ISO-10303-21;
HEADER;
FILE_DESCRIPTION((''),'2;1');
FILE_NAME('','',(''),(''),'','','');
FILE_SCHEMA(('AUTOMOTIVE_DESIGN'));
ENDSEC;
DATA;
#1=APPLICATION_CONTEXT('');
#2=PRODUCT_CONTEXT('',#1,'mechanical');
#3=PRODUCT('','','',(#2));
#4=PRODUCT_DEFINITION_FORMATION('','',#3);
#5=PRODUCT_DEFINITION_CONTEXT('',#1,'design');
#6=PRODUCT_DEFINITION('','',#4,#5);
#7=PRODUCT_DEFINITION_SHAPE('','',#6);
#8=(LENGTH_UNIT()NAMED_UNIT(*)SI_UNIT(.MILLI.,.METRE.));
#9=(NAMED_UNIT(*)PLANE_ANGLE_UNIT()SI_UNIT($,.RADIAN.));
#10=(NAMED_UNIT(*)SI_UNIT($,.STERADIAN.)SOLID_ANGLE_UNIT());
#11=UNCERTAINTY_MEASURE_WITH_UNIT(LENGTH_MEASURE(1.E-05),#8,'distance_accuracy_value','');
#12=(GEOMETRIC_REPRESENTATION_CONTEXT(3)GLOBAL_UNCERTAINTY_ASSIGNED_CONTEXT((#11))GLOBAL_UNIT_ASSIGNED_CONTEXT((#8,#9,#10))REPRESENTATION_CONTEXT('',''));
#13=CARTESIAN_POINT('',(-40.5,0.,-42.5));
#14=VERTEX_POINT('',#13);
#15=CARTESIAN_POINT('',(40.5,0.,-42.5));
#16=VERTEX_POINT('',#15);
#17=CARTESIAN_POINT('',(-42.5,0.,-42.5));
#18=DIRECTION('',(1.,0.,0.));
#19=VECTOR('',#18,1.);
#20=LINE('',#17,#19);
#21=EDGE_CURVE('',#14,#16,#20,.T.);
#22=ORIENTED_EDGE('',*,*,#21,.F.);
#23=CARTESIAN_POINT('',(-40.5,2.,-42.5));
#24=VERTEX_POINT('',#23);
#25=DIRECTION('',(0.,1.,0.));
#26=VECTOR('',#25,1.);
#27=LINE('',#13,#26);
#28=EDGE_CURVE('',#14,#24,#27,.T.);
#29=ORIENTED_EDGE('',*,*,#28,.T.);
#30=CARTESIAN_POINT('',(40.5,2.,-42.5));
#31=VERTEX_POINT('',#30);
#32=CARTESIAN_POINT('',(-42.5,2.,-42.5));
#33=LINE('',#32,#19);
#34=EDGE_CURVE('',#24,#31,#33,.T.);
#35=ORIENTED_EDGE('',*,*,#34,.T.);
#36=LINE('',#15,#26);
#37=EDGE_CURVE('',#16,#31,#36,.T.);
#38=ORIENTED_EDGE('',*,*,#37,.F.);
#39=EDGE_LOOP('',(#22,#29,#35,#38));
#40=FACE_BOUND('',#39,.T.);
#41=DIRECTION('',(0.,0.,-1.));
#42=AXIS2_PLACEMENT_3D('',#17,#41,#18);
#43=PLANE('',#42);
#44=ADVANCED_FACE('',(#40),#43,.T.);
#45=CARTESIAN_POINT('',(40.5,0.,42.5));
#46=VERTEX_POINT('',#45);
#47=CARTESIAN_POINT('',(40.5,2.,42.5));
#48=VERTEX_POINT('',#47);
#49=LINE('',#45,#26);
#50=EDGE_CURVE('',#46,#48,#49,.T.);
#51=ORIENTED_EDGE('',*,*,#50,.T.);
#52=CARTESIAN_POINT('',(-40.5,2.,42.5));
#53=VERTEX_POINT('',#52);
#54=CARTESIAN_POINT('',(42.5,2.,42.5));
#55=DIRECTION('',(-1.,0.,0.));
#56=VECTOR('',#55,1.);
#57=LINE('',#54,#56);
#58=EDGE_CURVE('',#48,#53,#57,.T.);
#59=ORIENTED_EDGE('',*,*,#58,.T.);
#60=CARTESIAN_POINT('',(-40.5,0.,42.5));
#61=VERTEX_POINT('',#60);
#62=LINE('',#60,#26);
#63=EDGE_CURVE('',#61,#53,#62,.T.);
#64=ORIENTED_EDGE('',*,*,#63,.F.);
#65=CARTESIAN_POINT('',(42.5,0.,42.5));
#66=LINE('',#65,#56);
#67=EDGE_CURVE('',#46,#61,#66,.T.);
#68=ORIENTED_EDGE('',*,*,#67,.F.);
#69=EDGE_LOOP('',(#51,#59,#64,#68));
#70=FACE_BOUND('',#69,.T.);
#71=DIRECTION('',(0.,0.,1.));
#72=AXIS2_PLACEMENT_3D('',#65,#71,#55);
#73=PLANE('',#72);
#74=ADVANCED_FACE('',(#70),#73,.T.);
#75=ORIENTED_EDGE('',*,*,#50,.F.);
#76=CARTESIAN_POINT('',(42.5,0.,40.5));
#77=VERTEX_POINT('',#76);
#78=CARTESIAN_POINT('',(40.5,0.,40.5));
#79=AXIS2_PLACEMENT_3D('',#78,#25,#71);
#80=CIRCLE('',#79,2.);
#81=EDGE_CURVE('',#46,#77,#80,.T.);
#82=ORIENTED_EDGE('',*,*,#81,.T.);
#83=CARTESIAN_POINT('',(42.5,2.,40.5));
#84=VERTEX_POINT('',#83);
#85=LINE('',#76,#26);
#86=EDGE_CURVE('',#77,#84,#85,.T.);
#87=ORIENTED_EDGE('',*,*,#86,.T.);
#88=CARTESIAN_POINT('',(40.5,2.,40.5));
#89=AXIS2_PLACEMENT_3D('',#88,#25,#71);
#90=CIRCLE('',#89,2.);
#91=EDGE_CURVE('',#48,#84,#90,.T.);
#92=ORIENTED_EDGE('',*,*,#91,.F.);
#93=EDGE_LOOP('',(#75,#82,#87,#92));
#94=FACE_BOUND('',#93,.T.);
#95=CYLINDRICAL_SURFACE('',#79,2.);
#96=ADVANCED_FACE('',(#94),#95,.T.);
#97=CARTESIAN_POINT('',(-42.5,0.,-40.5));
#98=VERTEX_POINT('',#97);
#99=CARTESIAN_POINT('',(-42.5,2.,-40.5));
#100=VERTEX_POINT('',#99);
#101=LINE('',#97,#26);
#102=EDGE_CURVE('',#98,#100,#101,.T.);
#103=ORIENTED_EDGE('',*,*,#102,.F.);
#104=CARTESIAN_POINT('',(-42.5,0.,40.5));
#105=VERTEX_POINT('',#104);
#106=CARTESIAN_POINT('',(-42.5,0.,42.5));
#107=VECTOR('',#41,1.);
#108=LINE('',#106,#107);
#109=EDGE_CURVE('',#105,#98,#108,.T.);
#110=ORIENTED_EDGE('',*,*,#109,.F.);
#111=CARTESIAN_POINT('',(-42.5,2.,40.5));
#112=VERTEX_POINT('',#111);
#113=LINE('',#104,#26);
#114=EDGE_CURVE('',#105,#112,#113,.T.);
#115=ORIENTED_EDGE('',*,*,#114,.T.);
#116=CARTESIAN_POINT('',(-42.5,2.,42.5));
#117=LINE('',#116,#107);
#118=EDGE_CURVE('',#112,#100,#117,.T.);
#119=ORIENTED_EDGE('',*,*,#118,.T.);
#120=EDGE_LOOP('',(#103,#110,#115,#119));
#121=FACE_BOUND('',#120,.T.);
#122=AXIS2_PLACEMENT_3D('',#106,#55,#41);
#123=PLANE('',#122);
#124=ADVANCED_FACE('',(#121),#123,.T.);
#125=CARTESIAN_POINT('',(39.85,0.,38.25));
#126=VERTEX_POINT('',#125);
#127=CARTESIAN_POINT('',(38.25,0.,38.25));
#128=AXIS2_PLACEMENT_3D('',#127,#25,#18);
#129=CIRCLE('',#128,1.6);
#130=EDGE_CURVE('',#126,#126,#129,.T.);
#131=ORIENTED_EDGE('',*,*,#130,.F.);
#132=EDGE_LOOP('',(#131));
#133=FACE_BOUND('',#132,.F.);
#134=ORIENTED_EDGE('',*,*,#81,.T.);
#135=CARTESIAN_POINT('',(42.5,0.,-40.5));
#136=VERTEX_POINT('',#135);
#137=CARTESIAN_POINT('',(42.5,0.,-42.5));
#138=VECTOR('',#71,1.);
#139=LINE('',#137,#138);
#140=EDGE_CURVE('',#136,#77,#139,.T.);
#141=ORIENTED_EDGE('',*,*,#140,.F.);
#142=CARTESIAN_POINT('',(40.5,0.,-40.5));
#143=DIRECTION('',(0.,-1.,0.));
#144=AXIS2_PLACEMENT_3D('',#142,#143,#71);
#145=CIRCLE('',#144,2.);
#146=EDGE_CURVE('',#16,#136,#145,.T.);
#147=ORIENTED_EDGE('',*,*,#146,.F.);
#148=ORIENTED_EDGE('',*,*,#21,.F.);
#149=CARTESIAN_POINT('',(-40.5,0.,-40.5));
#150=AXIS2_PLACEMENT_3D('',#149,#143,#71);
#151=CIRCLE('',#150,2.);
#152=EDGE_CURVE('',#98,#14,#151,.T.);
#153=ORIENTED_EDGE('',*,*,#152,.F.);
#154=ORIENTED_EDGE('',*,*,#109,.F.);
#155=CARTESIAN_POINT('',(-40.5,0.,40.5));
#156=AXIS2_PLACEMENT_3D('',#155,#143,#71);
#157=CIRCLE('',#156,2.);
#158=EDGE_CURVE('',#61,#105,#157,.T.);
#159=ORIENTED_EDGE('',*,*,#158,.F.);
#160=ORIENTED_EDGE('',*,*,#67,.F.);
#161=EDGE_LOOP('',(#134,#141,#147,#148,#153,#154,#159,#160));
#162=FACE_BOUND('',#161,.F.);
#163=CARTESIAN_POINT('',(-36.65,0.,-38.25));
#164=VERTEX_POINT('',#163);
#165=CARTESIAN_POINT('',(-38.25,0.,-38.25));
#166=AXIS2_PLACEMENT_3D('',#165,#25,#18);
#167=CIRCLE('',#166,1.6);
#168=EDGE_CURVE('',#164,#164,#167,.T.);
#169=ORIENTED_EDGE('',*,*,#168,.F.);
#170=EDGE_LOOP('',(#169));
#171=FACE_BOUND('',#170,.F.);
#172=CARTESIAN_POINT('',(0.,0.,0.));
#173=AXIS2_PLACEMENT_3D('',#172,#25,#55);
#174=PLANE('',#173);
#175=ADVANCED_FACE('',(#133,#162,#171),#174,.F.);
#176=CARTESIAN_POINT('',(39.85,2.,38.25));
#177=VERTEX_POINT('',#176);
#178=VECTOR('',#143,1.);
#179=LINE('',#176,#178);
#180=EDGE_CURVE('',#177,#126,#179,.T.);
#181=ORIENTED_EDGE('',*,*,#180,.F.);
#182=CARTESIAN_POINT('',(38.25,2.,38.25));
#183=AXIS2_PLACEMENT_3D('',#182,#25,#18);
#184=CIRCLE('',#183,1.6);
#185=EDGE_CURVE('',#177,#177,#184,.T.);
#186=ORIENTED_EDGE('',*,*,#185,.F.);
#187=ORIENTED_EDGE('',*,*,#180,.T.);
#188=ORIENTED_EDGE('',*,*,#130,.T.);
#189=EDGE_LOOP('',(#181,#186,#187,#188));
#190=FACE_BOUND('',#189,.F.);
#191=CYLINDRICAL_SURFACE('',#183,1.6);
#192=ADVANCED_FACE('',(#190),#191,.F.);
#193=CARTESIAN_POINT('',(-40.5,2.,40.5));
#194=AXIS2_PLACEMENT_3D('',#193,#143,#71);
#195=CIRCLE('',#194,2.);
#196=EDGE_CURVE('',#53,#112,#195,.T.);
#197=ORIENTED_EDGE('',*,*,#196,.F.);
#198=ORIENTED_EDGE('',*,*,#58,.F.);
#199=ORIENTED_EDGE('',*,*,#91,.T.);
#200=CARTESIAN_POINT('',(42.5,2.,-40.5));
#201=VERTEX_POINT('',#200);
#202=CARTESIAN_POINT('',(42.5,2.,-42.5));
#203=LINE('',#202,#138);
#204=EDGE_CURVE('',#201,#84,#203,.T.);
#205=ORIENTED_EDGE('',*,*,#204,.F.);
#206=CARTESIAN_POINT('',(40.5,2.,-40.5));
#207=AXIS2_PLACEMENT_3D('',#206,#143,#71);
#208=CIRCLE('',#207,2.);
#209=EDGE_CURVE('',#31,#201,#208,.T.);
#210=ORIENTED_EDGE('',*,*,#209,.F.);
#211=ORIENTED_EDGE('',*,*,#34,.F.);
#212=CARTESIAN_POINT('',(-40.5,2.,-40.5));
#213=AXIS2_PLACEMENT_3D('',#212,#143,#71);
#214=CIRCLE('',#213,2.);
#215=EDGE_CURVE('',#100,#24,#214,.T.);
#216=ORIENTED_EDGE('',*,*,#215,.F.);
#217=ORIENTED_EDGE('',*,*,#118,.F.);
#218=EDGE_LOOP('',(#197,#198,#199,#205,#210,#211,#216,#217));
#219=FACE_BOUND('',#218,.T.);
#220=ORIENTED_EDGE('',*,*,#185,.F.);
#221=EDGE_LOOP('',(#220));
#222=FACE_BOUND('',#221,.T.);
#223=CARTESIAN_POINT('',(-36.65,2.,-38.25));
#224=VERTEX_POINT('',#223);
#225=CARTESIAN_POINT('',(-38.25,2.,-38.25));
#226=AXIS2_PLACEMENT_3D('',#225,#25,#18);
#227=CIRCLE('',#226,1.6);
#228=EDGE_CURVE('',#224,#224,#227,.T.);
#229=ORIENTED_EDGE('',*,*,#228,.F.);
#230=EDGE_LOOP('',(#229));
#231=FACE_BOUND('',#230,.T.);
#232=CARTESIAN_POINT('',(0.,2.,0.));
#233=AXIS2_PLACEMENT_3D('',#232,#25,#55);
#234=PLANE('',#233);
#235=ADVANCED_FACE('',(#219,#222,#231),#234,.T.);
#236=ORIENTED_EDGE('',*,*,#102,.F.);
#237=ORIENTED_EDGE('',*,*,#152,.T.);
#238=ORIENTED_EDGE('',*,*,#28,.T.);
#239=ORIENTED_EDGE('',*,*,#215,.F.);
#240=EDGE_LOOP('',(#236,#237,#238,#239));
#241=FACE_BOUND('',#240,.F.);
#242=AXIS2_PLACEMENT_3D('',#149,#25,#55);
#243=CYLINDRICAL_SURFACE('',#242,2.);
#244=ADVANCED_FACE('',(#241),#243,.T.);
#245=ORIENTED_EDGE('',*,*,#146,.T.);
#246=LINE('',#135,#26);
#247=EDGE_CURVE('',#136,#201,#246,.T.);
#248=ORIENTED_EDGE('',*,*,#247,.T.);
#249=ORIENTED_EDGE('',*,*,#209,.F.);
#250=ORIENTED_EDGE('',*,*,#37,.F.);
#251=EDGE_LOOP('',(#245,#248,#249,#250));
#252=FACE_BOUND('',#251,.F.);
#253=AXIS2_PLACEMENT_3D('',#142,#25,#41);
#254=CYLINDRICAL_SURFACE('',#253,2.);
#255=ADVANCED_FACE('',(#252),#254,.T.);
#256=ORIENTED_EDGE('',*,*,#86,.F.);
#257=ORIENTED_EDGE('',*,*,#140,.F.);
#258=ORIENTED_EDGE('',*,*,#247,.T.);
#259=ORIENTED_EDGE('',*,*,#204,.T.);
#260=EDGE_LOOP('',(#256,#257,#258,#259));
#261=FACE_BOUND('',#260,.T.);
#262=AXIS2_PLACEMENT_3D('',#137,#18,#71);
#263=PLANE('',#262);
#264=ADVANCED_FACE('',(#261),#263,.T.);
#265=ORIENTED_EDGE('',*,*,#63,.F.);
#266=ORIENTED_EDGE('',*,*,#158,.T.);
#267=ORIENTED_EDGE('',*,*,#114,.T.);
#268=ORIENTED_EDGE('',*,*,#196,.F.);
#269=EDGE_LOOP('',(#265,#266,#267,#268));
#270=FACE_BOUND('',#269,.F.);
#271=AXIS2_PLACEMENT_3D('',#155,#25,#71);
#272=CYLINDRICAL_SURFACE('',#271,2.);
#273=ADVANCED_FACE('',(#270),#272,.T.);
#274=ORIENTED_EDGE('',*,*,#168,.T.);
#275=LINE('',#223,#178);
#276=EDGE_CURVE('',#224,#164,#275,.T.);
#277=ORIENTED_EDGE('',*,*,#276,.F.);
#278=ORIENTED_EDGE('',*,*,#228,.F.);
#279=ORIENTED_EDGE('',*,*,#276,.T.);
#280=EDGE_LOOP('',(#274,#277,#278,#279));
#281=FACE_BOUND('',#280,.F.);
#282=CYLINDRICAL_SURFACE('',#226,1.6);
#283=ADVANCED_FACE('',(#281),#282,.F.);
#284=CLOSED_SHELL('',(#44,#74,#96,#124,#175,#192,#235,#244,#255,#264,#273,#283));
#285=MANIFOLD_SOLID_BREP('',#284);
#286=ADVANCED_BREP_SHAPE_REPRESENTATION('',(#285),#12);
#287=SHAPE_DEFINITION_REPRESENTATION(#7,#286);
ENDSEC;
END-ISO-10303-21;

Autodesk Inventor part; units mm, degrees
ref_plane "YZ Plane" through (0, 0, 0) normal (1, 0, 0) x (0, 1, 0)
ref_plane "XZ Plane" through (0, 0, 0) normal (0, 1, 0) x (-1, 0, 0)
ref_plane "XY Plane" through (0, 0, 0) normal (0, 0, 1) x (1, 0, 0)
sketch "Esboço1" plane through (0, 0, 0) normal (0, 1, 0) x (-1, 0, 0)
  line L0 (-42.5, 42.5) -> (42.5, 42.5)
  line L1 (42.5, 42.5) -> (42.5, -42.5)
  line L2 (42.5, -42.5) -> (-42.5, -42.5)
  line L3 (-42.5, -42.5) -> (-42.5, 42.5)
  line L4 (-42.5, 42.5) -> (42.5, -42.5) construction
  line L5 (42.5, 42.5) -> (-42.5, -42.5) construction
  point P0 (0, 0)
  dimension "d0" = 85
  dimension "d1" = 85
extrude "Extrusão1" add sketch "Esboço1" along normal blind 2
fillet "Arredondamento1" radius 2 4 edges at (42.5, 1, 42.5) (42.5, 1, -42.5) (-42.5, 1, 42.5) (-42.5, 1, -42.5)
sketch "Esboço2" plane through (0, 2, 0) normal (0, 1, 0) x (1, 0, 0)
  circle A0 centre (38.25, -38.25) radius 1.6
  line L0 (-40.5, -42.5) -> (40.5, -42.5) projected
  line L1 (42.5, -40.5) -> (42.5, 40.5) projected
  circle A1 centre (-38.25, 38.25) radius 1.6
  line L2 (-42.5, 40.5) -> (-42.5, -40.5) projected
  line L3 (40.5, 42.5) -> (-40.5, 42.5) projected
  point P0 (0, 0)
  dimension "d5" = 3.2
  dimension "d6" = 4.25
  dimension "d7" = 4.25
  dimension "d8" = 3.2
  dimension "d9" = 4.25
  dimension "d10" = 4.25
extrude "Extrusão2" cut sketch "Esboço2" against normal blind 2
properties part number "tampa caixa box"
